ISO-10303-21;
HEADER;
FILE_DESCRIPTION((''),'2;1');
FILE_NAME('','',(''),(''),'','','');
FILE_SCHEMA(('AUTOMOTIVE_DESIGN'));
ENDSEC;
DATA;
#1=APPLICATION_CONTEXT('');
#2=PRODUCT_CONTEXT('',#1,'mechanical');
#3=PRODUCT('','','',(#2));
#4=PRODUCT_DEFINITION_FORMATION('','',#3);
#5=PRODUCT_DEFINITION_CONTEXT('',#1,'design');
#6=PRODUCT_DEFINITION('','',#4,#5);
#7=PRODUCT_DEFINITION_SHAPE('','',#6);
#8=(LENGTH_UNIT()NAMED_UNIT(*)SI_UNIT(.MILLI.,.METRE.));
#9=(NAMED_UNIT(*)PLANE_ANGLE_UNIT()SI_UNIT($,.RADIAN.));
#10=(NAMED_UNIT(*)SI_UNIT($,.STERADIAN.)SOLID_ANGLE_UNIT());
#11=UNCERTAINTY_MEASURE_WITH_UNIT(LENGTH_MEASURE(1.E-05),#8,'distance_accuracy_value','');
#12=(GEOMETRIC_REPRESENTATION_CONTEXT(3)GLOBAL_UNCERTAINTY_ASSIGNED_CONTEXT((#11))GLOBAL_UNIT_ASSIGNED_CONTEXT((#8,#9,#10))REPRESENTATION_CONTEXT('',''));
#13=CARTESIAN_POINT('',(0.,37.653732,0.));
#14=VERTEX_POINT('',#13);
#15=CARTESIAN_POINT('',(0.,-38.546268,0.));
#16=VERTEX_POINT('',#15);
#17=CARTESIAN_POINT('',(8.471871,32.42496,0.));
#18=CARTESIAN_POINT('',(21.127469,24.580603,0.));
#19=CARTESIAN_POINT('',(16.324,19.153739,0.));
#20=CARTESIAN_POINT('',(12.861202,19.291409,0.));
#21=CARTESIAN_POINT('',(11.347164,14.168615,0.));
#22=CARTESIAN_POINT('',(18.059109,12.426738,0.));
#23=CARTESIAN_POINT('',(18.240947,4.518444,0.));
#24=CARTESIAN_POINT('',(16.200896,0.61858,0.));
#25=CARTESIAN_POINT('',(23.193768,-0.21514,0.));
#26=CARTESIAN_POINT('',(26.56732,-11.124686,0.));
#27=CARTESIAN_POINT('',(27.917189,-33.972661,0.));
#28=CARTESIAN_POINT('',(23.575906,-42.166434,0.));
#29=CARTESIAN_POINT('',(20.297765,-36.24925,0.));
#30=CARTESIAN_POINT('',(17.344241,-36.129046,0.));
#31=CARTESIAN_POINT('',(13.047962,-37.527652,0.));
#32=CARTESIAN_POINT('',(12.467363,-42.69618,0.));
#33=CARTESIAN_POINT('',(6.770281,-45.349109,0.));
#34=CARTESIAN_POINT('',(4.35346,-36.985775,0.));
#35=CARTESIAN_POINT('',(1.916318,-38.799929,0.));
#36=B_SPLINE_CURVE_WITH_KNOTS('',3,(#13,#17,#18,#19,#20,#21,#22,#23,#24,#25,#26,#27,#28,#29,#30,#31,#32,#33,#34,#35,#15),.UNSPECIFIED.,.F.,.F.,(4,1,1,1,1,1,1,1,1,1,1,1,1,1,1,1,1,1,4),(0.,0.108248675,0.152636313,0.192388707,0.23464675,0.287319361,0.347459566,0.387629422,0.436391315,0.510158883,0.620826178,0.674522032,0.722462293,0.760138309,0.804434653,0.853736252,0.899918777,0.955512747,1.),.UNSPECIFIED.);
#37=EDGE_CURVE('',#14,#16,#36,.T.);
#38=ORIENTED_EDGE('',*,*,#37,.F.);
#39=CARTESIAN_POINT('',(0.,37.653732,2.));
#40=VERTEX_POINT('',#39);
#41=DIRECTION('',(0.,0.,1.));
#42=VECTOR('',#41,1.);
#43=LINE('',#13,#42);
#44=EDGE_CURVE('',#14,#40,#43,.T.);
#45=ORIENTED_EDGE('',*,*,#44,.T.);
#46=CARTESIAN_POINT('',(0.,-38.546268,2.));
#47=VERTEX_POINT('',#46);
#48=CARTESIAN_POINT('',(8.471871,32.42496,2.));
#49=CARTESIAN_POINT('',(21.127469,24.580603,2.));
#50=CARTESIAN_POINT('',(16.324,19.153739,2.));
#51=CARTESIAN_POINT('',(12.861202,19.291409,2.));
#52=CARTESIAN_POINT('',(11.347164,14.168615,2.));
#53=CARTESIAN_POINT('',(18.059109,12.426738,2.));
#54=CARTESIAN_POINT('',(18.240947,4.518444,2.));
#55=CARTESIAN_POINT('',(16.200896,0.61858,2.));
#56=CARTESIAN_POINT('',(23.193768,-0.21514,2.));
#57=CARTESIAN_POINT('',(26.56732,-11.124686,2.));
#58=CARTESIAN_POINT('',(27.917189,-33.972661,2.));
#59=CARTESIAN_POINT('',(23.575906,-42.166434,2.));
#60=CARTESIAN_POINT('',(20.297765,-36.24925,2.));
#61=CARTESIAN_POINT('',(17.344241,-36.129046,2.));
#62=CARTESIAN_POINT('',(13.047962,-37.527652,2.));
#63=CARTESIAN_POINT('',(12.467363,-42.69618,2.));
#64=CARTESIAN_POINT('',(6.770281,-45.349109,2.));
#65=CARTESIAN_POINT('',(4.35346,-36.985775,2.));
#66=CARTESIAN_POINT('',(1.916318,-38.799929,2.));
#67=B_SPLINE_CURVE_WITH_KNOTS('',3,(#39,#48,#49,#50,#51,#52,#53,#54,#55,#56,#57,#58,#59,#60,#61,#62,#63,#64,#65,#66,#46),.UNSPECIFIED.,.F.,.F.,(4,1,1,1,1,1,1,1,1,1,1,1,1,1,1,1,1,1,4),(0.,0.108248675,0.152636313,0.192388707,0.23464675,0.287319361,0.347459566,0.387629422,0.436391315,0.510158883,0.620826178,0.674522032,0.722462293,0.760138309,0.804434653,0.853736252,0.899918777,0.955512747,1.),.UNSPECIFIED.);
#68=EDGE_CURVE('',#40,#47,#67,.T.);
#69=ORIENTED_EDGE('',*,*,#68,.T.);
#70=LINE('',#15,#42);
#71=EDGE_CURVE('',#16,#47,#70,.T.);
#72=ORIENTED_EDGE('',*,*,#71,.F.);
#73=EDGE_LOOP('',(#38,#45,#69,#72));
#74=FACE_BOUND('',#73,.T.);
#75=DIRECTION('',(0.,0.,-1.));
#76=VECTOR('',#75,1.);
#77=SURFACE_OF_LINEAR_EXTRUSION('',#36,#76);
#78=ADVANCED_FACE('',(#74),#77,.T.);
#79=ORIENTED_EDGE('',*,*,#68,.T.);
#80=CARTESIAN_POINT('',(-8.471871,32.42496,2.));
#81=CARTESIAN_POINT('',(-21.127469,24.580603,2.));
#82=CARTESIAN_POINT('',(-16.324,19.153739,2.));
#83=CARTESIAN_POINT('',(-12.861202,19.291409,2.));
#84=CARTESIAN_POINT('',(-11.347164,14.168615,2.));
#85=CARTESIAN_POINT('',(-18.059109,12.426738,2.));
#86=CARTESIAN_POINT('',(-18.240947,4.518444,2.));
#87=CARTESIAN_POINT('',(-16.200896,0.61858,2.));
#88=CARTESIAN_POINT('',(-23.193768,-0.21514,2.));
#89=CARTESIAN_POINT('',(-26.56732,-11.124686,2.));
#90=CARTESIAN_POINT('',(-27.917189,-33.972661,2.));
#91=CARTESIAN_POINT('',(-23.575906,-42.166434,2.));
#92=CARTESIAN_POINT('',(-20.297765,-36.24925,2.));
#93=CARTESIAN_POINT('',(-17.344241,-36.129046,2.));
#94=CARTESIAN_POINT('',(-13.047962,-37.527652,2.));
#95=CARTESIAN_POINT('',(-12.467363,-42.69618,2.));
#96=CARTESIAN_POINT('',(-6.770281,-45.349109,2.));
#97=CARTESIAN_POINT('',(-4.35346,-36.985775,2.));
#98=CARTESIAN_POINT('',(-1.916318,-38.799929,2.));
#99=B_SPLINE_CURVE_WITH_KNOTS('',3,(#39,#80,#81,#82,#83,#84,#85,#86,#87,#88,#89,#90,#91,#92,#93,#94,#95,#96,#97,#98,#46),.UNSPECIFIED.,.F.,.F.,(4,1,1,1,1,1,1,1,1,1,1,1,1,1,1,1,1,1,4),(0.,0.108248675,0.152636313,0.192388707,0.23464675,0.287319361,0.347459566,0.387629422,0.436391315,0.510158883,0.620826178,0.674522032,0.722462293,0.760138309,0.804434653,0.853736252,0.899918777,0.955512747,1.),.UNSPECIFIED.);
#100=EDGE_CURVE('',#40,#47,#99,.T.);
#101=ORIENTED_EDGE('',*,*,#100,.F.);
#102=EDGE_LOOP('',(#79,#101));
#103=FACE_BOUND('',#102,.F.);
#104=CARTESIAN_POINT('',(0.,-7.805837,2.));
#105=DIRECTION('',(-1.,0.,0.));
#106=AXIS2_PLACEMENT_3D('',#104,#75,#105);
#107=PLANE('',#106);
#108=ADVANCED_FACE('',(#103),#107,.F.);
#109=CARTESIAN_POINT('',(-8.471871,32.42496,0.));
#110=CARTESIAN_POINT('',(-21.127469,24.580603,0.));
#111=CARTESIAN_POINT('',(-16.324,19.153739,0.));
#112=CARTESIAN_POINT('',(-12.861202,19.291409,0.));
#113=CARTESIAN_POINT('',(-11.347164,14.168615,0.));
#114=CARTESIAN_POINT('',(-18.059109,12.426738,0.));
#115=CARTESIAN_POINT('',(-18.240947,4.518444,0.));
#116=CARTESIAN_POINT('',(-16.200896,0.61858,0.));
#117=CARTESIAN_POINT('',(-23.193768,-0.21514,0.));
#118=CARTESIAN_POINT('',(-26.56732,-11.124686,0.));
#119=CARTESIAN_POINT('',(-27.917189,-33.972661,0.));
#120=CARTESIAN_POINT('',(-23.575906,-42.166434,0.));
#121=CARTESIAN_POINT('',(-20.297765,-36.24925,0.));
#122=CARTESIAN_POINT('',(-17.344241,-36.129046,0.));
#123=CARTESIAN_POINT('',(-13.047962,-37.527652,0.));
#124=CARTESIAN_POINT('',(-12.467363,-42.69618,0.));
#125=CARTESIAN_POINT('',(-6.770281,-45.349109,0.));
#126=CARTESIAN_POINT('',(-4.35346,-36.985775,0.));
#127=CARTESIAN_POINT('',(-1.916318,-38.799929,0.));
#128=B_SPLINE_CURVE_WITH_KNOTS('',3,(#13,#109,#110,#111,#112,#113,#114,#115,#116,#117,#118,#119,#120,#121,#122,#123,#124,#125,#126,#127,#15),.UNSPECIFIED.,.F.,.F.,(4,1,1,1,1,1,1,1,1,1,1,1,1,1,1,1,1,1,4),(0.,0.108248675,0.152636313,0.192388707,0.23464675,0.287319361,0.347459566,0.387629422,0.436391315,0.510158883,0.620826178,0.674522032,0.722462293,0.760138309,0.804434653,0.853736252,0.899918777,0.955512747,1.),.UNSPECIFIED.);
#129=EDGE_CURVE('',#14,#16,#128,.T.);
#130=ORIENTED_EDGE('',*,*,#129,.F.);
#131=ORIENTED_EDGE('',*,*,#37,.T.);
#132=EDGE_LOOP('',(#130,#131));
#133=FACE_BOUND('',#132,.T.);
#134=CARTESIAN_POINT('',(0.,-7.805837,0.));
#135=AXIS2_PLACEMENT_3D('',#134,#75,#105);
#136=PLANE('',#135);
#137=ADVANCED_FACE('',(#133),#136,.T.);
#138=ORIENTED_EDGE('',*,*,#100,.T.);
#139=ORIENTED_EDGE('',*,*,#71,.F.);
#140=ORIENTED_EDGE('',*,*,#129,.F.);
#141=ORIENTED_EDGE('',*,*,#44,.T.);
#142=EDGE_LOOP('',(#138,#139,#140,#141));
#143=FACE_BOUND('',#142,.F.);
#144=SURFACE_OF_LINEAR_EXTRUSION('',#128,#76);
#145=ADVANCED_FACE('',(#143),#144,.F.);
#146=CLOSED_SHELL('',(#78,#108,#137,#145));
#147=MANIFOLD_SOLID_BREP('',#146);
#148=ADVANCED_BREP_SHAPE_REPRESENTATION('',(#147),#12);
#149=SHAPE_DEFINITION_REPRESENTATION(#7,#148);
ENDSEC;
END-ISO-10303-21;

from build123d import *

# Parameters (mm, degrees)
F1_DEPTH = 2


with BuildPart() as f1:
    # F0 (on Top) → F1 (new body)
    with BuildSketch(Plane.XY):
        with BuildLine():
            add(Edge.make_bspline(
                [(0, 37.6537315215), (8.4718708818, 32.4249598237), (21.1274687852, 24.5806027594), (16.3240003108, 19.1537393293), (12.8612019493, 19.2914090997), (11.3471642072, 14.1686147062), (18.0591087907, 12.4267384958), (18.2409471156, 4.5184435506), (16.2008955305, 0.6185797366), (23.1937680867, -0.2151403902), (26.5673203514, -11.1246863538), (27.9171891966, -33.9726609628), (23.5759059822, -42.1664344137), (20.2977645968, -36.2492499201), (17.3442409893, -36.129046381), (13.0479624121, -37.5276520312), (12.4673633616, -42.6961798037), (6.7702808905, -45.3491090479), (4.3534600099, -36.9857748943), (1.9163176341, -38.7999292459), (0, -38.5462684785)],
                knots=[0, 0, 0, 0, 0.1082486747, 0.1526363132, 0.1923887072, 0.2346467498, 0.2873193607, 0.3474595656, 0.3876294222, 0.4363913151, 0.5101588829, 0.6208261782, 0.6745220315, 0.7224622932, 0.7601383091, 0.8044346526, 0.8537362517, 0.8999187772, 0.9555127467, 1, 1, 1, 1], degree=3))
            add(Edge.make_bspline(
                [(0, 37.6537315215), (-8.4718708818, 32.4249598237), (-21.1274687852, 24.5806027594), (-16.3240003108, 19.1537393293), (-12.8612019493, 19.2914090997), (-11.3471642072, 14.1686147062), (-18.0591087907, 12.4267384958), (-18.2409471156, 4.5184435506), (-16.2008955305, 0.6185797366), (-23.1937680867, -0.2151403902), (-26.5673203514, -11.1246863538), (-27.9171891966, -33.9726609628), (-23.5759059822, -42.1664344137), (-20.2977645968, -36.2492499201), (-17.3442409893, -36.129046381), (-13.0479624121, -37.5276520312), (-12.4673633616, -42.6961798037), (-6.7702808905, -45.3491090479), (-4.3534600099, -36.9857748943), (-1.9163176341, -38.7999292459), (0, -38.5462684785)],
                knots=[0, 0, 0, 0, 0.1082486747, 0.1526363132, 0.1923887072, 0.2346467498, 0.2873193607, 0.3474595656, 0.3876294222, 0.4363913151, 0.5101588829, 0.6208261782, 0.6745220315, 0.7224622932, 0.7601383091, 0.8044346526, 0.8537362517, 0.8999187772, 0.9555127467, 1, 1, 1, 1], degree=3))
        make_face()
    extrude(amount=F1_DEPTH)


solid = f1.part
